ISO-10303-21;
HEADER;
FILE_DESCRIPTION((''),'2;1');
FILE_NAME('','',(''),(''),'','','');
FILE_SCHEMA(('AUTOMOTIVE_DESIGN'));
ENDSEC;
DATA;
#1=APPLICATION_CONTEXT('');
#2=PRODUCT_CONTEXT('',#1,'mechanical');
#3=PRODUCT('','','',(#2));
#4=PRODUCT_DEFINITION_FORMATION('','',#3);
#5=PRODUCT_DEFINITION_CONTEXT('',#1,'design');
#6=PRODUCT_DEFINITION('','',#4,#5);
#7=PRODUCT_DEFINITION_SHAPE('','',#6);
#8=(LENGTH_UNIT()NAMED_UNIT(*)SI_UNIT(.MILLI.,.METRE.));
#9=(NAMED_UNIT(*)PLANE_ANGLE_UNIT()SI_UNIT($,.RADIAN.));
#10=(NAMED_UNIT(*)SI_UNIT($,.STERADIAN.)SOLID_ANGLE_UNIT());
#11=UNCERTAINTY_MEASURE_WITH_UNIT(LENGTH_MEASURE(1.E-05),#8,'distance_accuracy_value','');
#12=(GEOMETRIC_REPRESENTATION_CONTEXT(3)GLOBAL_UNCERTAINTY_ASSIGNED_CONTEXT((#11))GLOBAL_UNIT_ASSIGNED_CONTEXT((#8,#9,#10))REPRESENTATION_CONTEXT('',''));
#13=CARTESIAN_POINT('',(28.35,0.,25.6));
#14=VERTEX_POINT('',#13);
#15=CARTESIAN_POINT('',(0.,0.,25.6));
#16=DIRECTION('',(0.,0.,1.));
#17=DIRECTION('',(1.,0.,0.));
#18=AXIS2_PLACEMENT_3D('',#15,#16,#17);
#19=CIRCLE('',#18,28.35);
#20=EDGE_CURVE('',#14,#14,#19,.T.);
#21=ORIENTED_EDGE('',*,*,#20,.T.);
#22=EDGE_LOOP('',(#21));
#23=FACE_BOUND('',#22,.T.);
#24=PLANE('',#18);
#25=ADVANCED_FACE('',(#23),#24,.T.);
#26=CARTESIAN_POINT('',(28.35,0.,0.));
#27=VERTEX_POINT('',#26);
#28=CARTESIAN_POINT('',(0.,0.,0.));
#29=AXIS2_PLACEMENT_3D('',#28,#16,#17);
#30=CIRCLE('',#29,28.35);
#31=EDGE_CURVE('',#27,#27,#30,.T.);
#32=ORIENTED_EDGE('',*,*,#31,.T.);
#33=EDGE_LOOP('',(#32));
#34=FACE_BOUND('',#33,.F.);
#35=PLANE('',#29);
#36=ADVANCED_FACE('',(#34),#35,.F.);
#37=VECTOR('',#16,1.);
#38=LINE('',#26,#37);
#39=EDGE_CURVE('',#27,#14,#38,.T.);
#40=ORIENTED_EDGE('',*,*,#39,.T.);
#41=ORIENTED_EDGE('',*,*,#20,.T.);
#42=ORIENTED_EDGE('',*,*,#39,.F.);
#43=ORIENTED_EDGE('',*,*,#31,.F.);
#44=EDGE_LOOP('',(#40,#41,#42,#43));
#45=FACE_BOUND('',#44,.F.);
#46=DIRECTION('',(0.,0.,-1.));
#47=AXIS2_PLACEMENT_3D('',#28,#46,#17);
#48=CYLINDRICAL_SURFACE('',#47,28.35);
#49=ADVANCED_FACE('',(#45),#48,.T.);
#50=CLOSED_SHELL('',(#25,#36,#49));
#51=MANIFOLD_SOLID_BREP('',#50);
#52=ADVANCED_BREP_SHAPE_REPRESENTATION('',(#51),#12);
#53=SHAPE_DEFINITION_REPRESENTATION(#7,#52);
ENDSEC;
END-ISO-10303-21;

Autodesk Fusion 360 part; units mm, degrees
sketch "Skizze1" plane through (0, 0, 0) normal (0, 0, 1) x (1, 0, 0)
  circle A0 centre (0, 0) radius 28.35
  dimension "d1" = 56.7
extrude "Extrusion1" add sketch "Skizze1" along normal blind 25.6
